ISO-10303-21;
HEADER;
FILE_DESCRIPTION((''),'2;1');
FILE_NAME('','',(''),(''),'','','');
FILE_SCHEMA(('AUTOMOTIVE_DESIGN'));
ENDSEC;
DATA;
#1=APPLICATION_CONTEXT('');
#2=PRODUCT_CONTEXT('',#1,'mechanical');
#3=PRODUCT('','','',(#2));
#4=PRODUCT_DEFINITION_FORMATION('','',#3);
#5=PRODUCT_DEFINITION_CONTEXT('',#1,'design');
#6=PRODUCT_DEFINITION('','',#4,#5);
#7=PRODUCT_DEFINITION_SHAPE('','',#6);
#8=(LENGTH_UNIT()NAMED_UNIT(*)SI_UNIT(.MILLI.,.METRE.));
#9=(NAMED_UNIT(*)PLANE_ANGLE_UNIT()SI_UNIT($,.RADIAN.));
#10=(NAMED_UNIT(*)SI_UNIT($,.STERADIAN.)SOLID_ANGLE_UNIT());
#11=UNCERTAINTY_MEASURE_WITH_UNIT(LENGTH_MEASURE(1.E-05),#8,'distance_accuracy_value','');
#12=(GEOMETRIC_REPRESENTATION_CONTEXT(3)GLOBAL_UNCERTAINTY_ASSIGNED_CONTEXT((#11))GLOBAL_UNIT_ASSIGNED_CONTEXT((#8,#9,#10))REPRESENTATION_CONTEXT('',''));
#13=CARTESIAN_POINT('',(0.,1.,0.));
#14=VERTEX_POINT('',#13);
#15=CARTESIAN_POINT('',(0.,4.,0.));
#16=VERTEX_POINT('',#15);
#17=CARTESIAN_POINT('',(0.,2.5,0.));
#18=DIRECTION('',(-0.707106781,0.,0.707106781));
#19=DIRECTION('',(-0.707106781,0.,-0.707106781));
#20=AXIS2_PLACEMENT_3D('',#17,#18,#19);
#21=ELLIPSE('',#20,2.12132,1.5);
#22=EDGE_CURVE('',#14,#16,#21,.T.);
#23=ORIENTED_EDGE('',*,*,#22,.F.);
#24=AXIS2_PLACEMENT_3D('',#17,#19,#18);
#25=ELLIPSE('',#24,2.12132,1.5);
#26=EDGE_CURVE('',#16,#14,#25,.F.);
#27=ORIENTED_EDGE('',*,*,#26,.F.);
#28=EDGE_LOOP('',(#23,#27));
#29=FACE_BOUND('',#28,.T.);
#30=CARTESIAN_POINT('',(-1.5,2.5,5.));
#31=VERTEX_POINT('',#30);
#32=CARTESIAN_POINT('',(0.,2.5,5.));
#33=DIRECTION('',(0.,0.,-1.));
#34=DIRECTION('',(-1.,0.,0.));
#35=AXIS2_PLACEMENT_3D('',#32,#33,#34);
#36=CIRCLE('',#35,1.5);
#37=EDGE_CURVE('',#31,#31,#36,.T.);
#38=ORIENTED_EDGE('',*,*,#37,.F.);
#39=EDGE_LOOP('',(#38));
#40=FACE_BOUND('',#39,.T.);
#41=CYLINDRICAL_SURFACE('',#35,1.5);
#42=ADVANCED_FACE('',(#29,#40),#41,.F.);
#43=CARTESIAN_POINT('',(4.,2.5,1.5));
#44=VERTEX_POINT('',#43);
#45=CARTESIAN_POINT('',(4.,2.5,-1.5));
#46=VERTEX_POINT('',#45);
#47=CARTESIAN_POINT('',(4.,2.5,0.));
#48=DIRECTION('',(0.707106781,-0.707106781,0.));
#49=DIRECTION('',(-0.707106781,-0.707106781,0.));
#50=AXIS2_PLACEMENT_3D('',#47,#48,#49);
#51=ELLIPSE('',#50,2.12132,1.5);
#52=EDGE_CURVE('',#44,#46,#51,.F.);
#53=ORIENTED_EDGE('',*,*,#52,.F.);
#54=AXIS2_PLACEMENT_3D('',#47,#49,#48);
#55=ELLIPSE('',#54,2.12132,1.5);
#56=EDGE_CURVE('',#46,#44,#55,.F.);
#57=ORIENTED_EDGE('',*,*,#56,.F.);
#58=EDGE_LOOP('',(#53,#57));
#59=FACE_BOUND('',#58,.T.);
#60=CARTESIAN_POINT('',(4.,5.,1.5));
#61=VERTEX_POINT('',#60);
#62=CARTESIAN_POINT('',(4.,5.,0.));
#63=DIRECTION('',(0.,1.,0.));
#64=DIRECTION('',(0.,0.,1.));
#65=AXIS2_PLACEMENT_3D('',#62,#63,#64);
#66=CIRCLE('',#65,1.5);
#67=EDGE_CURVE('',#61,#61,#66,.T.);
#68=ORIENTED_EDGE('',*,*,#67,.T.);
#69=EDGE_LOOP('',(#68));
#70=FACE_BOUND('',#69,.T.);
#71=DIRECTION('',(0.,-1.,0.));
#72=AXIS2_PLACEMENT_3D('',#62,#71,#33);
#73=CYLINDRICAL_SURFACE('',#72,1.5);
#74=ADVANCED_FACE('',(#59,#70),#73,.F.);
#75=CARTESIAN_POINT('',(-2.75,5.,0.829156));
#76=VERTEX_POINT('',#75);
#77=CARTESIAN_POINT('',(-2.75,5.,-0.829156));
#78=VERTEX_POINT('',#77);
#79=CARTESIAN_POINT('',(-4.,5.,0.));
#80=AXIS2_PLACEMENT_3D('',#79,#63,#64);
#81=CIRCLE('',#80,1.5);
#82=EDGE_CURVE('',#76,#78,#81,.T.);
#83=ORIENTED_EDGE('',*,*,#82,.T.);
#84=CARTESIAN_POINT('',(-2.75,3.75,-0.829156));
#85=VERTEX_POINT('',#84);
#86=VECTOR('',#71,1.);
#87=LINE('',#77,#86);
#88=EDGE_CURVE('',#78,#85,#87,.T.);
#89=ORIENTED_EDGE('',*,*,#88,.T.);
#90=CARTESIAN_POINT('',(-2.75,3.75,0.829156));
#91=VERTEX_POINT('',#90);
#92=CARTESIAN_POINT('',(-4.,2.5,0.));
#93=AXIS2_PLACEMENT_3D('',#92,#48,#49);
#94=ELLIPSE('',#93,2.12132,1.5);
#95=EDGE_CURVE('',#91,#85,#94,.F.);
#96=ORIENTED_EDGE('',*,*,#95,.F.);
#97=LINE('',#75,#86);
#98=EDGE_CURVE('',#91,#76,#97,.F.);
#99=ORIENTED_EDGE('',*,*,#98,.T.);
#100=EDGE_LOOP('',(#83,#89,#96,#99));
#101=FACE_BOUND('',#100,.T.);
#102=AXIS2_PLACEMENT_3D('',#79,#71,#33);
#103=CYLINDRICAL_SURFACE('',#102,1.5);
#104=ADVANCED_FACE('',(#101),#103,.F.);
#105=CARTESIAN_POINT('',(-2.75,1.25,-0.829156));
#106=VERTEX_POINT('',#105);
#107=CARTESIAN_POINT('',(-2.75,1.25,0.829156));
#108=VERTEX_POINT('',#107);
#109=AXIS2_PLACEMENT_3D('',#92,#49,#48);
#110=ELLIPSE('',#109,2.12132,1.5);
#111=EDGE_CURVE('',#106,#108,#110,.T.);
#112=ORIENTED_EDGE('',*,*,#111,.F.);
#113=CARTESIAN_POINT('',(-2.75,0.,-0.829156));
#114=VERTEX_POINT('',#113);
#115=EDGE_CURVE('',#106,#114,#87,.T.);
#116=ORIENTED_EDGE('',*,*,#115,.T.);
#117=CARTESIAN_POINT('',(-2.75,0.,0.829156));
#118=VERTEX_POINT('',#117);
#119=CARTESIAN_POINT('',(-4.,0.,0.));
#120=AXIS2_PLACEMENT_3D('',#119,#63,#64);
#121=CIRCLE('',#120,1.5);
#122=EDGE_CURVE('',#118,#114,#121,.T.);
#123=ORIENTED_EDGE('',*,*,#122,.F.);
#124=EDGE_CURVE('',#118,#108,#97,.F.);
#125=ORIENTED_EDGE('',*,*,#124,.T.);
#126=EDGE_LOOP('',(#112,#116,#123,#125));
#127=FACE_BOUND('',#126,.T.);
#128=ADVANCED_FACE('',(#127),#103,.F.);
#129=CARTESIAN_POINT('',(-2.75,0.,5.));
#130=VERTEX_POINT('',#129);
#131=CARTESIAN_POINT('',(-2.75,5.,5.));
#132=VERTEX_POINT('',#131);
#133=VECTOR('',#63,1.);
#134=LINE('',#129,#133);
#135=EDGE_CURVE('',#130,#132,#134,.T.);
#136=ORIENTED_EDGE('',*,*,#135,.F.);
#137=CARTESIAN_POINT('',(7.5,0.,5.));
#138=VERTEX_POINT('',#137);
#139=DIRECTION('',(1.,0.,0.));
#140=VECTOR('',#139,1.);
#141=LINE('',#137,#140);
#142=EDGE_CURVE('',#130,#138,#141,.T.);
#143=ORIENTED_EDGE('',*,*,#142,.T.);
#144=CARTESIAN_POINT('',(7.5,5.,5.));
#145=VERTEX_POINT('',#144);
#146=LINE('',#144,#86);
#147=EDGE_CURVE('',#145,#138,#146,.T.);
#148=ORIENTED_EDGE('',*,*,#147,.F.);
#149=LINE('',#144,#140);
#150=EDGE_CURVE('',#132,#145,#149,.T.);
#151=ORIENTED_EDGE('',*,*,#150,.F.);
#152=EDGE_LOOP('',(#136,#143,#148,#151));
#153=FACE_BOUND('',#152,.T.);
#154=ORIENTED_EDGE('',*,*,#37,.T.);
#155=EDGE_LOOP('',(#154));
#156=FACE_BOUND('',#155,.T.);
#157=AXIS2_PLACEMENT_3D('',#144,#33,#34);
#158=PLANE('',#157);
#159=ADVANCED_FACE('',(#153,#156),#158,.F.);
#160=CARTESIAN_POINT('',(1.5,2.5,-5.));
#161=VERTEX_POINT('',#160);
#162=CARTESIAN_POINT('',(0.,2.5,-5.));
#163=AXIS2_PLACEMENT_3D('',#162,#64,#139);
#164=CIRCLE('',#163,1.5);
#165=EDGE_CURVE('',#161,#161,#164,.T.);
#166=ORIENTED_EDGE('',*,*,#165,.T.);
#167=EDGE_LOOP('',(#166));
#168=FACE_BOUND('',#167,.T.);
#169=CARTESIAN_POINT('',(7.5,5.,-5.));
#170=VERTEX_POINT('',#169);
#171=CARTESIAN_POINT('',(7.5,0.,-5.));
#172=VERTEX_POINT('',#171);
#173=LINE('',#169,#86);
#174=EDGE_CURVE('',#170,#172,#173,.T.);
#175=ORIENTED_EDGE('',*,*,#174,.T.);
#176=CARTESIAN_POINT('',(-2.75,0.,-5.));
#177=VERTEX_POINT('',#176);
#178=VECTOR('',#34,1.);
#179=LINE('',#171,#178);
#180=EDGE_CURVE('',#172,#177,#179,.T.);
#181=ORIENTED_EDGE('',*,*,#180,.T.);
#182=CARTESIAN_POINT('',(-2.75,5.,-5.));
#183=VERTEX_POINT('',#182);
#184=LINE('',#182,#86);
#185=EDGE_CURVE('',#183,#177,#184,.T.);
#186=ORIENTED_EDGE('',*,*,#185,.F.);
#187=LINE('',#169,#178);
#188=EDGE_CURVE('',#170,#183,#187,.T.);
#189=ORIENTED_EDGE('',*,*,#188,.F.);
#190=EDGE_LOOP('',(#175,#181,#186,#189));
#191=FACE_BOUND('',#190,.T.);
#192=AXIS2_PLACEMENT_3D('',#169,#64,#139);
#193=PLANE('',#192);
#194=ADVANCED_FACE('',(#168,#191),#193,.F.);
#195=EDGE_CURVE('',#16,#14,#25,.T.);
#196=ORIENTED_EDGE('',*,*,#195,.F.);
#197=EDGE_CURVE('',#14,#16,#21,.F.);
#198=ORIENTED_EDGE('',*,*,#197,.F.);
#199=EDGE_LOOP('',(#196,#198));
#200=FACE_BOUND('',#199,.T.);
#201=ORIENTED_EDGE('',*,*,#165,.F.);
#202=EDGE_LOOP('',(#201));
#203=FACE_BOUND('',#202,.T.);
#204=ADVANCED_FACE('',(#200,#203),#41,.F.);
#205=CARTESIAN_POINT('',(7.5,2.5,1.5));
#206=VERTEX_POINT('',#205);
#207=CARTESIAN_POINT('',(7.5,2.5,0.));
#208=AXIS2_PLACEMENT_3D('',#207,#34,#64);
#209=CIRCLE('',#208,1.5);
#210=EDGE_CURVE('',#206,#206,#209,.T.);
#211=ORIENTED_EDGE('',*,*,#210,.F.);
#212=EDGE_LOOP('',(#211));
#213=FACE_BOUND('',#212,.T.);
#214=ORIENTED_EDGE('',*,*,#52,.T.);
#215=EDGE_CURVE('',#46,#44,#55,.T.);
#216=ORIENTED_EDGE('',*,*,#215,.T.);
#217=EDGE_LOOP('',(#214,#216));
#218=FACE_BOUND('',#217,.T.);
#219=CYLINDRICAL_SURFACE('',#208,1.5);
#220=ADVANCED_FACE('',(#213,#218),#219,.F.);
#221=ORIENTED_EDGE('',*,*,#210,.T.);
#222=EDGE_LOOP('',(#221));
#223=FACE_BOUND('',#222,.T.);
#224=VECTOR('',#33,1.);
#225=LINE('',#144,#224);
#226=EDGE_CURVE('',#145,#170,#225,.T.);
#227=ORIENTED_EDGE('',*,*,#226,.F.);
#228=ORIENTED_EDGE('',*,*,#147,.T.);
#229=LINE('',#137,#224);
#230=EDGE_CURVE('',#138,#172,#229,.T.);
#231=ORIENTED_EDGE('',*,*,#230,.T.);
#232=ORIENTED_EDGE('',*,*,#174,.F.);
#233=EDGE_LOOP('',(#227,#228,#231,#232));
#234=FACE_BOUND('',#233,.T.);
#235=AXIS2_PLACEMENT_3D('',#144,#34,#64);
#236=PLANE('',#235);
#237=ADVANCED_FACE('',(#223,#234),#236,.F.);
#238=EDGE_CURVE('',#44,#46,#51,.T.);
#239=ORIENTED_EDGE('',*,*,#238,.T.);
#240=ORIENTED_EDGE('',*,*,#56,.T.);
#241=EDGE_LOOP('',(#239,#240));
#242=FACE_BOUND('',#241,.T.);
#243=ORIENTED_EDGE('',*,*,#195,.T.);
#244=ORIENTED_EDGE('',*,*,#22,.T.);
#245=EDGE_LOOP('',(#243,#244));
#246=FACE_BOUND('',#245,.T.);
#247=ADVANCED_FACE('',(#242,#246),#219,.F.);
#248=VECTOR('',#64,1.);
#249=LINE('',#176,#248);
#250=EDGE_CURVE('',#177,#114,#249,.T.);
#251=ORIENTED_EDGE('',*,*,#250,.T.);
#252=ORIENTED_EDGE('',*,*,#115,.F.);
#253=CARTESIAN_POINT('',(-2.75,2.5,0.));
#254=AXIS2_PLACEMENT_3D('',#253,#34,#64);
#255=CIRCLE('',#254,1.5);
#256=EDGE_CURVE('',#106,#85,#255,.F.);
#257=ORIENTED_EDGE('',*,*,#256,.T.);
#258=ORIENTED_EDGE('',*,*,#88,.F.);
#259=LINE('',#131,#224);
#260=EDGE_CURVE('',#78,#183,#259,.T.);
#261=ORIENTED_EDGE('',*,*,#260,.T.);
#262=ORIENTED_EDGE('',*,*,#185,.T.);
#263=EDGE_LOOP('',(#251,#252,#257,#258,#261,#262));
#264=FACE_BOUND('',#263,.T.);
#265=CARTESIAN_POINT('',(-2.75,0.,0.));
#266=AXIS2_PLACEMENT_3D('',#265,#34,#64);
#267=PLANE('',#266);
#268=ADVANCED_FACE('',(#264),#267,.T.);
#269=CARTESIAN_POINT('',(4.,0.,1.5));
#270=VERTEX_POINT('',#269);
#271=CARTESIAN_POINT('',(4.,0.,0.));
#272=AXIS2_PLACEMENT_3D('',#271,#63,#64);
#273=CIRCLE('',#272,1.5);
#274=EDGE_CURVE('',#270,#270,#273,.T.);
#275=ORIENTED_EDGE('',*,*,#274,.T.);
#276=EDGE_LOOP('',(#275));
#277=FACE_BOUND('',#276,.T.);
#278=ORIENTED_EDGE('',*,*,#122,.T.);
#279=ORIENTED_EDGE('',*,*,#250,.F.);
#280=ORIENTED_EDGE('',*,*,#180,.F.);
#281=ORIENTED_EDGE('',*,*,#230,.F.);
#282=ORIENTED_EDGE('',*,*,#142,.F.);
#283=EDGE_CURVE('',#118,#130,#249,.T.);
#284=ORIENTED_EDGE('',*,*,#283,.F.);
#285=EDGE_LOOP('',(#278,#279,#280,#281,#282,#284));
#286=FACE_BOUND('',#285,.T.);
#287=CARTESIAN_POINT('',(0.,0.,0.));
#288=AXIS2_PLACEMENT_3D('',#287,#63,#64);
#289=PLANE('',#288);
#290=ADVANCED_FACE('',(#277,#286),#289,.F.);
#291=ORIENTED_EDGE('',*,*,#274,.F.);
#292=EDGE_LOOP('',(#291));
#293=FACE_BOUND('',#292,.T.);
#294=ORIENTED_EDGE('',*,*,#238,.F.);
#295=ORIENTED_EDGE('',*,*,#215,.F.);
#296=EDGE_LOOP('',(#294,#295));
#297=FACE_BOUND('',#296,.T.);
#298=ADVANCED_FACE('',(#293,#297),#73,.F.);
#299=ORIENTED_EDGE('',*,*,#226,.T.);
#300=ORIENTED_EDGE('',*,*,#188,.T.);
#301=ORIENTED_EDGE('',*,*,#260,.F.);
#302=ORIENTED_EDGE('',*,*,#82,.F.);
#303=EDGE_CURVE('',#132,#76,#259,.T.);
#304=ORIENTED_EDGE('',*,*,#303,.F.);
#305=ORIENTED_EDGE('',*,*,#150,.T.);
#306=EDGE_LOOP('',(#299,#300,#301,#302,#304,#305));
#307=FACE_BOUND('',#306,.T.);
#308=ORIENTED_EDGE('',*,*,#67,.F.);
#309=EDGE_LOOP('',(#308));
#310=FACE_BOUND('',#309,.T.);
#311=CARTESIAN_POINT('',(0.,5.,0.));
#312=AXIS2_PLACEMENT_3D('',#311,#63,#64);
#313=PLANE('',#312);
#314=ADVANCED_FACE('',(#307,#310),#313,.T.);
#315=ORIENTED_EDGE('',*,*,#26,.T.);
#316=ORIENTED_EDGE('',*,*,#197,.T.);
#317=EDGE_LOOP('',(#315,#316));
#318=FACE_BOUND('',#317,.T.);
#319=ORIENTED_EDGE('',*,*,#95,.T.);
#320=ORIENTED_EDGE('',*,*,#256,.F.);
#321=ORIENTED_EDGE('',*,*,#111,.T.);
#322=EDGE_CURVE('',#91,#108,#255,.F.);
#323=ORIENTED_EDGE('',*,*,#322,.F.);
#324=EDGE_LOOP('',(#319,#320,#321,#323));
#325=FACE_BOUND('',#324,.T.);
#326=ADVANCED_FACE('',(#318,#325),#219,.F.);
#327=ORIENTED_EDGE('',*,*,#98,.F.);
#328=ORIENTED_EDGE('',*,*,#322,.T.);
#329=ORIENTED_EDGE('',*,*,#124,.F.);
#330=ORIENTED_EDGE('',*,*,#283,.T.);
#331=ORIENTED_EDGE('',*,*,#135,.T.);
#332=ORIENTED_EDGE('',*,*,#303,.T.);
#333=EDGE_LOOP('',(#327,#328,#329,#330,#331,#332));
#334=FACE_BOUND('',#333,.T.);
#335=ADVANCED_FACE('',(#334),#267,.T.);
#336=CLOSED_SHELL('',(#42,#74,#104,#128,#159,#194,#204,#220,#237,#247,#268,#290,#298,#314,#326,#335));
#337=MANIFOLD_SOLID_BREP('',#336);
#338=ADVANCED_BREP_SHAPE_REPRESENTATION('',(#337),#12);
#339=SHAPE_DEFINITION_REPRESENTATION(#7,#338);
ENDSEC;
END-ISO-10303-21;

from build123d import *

# Parameters (mm, degrees)
SKETCH1_W               = 15
SKETCH1_H               = 10
SKETCH1_R               = 1.5
BOSS_EXTRUDE1_DEPTH     = 5
SKETCH2_R               = 1.5
CUT_EXTRUDE1_DEPTH      = 1
CUT_EXTRUDE1_DEPTH_BACK = 16
SKETCH3_R               = 1.5
CUT_EXTRUDE2_DEPTH      = 1
CUT_EXTRUDE2_DEPTH_BACK = 11
SKETCH4_W               = 10
SKETCH4_H               = 5
CUT_EXTRUDE3_DEPTH      = 4.75


with BuildPart() as part:
    # Sketch1 → Boss-Extrude1 (new body)
    with BuildSketch(Plane(origin=(0, 0, 0), x_dir=(1, 0, 0), z_dir=(0, 1, 0))):
        Rectangle(SKETCH1_W, SKETCH1_H)
        with Locations((4, 0)):
            Circle(SKETCH1_R, mode=Mode.SUBTRACT)
        with Locations((-4, 0)):
            Circle(SKETCH1_R, mode=Mode.SUBTRACT)
    extrude(amount=BOSS_EXTRUDE1_DEPTH)

    # Sketch2 → Cut-Extrude1 (cut, two sides)
    with BuildSketch(Plane.ZY.offset(7.5)) as cut_extrude1_sk:
        with Locations((0, 2.5)):
            Circle(SKETCH2_R)
    extrude(amount=CUT_EXTRUDE1_DEPTH, mode=Mode.SUBTRACT)
    extrude(cut_extrude1_sk.sketch, amount=-CUT_EXTRUDE1_DEPTH_BACK, mode=Mode.SUBTRACT)

    # Sketch3 → Cut-Extrude2 (cut, two sides)
    with BuildSketch(Plane(origin=(0, 0, -5), x_dir=(-1, 0, 0), z_dir=(0, 0, -1))) as cut_extrude2_sk:
        with Locations((0, 2.5)):
            Circle(SKETCH3_R)
    extrude(amount=CUT_EXTRUDE2_DEPTH, mode=Mode.SUBTRACT)
    extrude(cut_extrude2_sk.sketch, amount=-CUT_EXTRUDE2_DEPTH_BACK, mode=Mode.SUBTRACT)

    # Sketch4 → Cut-Extrude3 (cut)
    with BuildSketch(Plane.ZY.offset(7.5)):
        with Locations((0, 2.5)):
            Rectangle(SKETCH4_W, SKETCH4_H)
    extrude(amount=-CUT_EXTRUDE3_DEPTH, mode=Mode.SUBTRACT)


solid = part.part
